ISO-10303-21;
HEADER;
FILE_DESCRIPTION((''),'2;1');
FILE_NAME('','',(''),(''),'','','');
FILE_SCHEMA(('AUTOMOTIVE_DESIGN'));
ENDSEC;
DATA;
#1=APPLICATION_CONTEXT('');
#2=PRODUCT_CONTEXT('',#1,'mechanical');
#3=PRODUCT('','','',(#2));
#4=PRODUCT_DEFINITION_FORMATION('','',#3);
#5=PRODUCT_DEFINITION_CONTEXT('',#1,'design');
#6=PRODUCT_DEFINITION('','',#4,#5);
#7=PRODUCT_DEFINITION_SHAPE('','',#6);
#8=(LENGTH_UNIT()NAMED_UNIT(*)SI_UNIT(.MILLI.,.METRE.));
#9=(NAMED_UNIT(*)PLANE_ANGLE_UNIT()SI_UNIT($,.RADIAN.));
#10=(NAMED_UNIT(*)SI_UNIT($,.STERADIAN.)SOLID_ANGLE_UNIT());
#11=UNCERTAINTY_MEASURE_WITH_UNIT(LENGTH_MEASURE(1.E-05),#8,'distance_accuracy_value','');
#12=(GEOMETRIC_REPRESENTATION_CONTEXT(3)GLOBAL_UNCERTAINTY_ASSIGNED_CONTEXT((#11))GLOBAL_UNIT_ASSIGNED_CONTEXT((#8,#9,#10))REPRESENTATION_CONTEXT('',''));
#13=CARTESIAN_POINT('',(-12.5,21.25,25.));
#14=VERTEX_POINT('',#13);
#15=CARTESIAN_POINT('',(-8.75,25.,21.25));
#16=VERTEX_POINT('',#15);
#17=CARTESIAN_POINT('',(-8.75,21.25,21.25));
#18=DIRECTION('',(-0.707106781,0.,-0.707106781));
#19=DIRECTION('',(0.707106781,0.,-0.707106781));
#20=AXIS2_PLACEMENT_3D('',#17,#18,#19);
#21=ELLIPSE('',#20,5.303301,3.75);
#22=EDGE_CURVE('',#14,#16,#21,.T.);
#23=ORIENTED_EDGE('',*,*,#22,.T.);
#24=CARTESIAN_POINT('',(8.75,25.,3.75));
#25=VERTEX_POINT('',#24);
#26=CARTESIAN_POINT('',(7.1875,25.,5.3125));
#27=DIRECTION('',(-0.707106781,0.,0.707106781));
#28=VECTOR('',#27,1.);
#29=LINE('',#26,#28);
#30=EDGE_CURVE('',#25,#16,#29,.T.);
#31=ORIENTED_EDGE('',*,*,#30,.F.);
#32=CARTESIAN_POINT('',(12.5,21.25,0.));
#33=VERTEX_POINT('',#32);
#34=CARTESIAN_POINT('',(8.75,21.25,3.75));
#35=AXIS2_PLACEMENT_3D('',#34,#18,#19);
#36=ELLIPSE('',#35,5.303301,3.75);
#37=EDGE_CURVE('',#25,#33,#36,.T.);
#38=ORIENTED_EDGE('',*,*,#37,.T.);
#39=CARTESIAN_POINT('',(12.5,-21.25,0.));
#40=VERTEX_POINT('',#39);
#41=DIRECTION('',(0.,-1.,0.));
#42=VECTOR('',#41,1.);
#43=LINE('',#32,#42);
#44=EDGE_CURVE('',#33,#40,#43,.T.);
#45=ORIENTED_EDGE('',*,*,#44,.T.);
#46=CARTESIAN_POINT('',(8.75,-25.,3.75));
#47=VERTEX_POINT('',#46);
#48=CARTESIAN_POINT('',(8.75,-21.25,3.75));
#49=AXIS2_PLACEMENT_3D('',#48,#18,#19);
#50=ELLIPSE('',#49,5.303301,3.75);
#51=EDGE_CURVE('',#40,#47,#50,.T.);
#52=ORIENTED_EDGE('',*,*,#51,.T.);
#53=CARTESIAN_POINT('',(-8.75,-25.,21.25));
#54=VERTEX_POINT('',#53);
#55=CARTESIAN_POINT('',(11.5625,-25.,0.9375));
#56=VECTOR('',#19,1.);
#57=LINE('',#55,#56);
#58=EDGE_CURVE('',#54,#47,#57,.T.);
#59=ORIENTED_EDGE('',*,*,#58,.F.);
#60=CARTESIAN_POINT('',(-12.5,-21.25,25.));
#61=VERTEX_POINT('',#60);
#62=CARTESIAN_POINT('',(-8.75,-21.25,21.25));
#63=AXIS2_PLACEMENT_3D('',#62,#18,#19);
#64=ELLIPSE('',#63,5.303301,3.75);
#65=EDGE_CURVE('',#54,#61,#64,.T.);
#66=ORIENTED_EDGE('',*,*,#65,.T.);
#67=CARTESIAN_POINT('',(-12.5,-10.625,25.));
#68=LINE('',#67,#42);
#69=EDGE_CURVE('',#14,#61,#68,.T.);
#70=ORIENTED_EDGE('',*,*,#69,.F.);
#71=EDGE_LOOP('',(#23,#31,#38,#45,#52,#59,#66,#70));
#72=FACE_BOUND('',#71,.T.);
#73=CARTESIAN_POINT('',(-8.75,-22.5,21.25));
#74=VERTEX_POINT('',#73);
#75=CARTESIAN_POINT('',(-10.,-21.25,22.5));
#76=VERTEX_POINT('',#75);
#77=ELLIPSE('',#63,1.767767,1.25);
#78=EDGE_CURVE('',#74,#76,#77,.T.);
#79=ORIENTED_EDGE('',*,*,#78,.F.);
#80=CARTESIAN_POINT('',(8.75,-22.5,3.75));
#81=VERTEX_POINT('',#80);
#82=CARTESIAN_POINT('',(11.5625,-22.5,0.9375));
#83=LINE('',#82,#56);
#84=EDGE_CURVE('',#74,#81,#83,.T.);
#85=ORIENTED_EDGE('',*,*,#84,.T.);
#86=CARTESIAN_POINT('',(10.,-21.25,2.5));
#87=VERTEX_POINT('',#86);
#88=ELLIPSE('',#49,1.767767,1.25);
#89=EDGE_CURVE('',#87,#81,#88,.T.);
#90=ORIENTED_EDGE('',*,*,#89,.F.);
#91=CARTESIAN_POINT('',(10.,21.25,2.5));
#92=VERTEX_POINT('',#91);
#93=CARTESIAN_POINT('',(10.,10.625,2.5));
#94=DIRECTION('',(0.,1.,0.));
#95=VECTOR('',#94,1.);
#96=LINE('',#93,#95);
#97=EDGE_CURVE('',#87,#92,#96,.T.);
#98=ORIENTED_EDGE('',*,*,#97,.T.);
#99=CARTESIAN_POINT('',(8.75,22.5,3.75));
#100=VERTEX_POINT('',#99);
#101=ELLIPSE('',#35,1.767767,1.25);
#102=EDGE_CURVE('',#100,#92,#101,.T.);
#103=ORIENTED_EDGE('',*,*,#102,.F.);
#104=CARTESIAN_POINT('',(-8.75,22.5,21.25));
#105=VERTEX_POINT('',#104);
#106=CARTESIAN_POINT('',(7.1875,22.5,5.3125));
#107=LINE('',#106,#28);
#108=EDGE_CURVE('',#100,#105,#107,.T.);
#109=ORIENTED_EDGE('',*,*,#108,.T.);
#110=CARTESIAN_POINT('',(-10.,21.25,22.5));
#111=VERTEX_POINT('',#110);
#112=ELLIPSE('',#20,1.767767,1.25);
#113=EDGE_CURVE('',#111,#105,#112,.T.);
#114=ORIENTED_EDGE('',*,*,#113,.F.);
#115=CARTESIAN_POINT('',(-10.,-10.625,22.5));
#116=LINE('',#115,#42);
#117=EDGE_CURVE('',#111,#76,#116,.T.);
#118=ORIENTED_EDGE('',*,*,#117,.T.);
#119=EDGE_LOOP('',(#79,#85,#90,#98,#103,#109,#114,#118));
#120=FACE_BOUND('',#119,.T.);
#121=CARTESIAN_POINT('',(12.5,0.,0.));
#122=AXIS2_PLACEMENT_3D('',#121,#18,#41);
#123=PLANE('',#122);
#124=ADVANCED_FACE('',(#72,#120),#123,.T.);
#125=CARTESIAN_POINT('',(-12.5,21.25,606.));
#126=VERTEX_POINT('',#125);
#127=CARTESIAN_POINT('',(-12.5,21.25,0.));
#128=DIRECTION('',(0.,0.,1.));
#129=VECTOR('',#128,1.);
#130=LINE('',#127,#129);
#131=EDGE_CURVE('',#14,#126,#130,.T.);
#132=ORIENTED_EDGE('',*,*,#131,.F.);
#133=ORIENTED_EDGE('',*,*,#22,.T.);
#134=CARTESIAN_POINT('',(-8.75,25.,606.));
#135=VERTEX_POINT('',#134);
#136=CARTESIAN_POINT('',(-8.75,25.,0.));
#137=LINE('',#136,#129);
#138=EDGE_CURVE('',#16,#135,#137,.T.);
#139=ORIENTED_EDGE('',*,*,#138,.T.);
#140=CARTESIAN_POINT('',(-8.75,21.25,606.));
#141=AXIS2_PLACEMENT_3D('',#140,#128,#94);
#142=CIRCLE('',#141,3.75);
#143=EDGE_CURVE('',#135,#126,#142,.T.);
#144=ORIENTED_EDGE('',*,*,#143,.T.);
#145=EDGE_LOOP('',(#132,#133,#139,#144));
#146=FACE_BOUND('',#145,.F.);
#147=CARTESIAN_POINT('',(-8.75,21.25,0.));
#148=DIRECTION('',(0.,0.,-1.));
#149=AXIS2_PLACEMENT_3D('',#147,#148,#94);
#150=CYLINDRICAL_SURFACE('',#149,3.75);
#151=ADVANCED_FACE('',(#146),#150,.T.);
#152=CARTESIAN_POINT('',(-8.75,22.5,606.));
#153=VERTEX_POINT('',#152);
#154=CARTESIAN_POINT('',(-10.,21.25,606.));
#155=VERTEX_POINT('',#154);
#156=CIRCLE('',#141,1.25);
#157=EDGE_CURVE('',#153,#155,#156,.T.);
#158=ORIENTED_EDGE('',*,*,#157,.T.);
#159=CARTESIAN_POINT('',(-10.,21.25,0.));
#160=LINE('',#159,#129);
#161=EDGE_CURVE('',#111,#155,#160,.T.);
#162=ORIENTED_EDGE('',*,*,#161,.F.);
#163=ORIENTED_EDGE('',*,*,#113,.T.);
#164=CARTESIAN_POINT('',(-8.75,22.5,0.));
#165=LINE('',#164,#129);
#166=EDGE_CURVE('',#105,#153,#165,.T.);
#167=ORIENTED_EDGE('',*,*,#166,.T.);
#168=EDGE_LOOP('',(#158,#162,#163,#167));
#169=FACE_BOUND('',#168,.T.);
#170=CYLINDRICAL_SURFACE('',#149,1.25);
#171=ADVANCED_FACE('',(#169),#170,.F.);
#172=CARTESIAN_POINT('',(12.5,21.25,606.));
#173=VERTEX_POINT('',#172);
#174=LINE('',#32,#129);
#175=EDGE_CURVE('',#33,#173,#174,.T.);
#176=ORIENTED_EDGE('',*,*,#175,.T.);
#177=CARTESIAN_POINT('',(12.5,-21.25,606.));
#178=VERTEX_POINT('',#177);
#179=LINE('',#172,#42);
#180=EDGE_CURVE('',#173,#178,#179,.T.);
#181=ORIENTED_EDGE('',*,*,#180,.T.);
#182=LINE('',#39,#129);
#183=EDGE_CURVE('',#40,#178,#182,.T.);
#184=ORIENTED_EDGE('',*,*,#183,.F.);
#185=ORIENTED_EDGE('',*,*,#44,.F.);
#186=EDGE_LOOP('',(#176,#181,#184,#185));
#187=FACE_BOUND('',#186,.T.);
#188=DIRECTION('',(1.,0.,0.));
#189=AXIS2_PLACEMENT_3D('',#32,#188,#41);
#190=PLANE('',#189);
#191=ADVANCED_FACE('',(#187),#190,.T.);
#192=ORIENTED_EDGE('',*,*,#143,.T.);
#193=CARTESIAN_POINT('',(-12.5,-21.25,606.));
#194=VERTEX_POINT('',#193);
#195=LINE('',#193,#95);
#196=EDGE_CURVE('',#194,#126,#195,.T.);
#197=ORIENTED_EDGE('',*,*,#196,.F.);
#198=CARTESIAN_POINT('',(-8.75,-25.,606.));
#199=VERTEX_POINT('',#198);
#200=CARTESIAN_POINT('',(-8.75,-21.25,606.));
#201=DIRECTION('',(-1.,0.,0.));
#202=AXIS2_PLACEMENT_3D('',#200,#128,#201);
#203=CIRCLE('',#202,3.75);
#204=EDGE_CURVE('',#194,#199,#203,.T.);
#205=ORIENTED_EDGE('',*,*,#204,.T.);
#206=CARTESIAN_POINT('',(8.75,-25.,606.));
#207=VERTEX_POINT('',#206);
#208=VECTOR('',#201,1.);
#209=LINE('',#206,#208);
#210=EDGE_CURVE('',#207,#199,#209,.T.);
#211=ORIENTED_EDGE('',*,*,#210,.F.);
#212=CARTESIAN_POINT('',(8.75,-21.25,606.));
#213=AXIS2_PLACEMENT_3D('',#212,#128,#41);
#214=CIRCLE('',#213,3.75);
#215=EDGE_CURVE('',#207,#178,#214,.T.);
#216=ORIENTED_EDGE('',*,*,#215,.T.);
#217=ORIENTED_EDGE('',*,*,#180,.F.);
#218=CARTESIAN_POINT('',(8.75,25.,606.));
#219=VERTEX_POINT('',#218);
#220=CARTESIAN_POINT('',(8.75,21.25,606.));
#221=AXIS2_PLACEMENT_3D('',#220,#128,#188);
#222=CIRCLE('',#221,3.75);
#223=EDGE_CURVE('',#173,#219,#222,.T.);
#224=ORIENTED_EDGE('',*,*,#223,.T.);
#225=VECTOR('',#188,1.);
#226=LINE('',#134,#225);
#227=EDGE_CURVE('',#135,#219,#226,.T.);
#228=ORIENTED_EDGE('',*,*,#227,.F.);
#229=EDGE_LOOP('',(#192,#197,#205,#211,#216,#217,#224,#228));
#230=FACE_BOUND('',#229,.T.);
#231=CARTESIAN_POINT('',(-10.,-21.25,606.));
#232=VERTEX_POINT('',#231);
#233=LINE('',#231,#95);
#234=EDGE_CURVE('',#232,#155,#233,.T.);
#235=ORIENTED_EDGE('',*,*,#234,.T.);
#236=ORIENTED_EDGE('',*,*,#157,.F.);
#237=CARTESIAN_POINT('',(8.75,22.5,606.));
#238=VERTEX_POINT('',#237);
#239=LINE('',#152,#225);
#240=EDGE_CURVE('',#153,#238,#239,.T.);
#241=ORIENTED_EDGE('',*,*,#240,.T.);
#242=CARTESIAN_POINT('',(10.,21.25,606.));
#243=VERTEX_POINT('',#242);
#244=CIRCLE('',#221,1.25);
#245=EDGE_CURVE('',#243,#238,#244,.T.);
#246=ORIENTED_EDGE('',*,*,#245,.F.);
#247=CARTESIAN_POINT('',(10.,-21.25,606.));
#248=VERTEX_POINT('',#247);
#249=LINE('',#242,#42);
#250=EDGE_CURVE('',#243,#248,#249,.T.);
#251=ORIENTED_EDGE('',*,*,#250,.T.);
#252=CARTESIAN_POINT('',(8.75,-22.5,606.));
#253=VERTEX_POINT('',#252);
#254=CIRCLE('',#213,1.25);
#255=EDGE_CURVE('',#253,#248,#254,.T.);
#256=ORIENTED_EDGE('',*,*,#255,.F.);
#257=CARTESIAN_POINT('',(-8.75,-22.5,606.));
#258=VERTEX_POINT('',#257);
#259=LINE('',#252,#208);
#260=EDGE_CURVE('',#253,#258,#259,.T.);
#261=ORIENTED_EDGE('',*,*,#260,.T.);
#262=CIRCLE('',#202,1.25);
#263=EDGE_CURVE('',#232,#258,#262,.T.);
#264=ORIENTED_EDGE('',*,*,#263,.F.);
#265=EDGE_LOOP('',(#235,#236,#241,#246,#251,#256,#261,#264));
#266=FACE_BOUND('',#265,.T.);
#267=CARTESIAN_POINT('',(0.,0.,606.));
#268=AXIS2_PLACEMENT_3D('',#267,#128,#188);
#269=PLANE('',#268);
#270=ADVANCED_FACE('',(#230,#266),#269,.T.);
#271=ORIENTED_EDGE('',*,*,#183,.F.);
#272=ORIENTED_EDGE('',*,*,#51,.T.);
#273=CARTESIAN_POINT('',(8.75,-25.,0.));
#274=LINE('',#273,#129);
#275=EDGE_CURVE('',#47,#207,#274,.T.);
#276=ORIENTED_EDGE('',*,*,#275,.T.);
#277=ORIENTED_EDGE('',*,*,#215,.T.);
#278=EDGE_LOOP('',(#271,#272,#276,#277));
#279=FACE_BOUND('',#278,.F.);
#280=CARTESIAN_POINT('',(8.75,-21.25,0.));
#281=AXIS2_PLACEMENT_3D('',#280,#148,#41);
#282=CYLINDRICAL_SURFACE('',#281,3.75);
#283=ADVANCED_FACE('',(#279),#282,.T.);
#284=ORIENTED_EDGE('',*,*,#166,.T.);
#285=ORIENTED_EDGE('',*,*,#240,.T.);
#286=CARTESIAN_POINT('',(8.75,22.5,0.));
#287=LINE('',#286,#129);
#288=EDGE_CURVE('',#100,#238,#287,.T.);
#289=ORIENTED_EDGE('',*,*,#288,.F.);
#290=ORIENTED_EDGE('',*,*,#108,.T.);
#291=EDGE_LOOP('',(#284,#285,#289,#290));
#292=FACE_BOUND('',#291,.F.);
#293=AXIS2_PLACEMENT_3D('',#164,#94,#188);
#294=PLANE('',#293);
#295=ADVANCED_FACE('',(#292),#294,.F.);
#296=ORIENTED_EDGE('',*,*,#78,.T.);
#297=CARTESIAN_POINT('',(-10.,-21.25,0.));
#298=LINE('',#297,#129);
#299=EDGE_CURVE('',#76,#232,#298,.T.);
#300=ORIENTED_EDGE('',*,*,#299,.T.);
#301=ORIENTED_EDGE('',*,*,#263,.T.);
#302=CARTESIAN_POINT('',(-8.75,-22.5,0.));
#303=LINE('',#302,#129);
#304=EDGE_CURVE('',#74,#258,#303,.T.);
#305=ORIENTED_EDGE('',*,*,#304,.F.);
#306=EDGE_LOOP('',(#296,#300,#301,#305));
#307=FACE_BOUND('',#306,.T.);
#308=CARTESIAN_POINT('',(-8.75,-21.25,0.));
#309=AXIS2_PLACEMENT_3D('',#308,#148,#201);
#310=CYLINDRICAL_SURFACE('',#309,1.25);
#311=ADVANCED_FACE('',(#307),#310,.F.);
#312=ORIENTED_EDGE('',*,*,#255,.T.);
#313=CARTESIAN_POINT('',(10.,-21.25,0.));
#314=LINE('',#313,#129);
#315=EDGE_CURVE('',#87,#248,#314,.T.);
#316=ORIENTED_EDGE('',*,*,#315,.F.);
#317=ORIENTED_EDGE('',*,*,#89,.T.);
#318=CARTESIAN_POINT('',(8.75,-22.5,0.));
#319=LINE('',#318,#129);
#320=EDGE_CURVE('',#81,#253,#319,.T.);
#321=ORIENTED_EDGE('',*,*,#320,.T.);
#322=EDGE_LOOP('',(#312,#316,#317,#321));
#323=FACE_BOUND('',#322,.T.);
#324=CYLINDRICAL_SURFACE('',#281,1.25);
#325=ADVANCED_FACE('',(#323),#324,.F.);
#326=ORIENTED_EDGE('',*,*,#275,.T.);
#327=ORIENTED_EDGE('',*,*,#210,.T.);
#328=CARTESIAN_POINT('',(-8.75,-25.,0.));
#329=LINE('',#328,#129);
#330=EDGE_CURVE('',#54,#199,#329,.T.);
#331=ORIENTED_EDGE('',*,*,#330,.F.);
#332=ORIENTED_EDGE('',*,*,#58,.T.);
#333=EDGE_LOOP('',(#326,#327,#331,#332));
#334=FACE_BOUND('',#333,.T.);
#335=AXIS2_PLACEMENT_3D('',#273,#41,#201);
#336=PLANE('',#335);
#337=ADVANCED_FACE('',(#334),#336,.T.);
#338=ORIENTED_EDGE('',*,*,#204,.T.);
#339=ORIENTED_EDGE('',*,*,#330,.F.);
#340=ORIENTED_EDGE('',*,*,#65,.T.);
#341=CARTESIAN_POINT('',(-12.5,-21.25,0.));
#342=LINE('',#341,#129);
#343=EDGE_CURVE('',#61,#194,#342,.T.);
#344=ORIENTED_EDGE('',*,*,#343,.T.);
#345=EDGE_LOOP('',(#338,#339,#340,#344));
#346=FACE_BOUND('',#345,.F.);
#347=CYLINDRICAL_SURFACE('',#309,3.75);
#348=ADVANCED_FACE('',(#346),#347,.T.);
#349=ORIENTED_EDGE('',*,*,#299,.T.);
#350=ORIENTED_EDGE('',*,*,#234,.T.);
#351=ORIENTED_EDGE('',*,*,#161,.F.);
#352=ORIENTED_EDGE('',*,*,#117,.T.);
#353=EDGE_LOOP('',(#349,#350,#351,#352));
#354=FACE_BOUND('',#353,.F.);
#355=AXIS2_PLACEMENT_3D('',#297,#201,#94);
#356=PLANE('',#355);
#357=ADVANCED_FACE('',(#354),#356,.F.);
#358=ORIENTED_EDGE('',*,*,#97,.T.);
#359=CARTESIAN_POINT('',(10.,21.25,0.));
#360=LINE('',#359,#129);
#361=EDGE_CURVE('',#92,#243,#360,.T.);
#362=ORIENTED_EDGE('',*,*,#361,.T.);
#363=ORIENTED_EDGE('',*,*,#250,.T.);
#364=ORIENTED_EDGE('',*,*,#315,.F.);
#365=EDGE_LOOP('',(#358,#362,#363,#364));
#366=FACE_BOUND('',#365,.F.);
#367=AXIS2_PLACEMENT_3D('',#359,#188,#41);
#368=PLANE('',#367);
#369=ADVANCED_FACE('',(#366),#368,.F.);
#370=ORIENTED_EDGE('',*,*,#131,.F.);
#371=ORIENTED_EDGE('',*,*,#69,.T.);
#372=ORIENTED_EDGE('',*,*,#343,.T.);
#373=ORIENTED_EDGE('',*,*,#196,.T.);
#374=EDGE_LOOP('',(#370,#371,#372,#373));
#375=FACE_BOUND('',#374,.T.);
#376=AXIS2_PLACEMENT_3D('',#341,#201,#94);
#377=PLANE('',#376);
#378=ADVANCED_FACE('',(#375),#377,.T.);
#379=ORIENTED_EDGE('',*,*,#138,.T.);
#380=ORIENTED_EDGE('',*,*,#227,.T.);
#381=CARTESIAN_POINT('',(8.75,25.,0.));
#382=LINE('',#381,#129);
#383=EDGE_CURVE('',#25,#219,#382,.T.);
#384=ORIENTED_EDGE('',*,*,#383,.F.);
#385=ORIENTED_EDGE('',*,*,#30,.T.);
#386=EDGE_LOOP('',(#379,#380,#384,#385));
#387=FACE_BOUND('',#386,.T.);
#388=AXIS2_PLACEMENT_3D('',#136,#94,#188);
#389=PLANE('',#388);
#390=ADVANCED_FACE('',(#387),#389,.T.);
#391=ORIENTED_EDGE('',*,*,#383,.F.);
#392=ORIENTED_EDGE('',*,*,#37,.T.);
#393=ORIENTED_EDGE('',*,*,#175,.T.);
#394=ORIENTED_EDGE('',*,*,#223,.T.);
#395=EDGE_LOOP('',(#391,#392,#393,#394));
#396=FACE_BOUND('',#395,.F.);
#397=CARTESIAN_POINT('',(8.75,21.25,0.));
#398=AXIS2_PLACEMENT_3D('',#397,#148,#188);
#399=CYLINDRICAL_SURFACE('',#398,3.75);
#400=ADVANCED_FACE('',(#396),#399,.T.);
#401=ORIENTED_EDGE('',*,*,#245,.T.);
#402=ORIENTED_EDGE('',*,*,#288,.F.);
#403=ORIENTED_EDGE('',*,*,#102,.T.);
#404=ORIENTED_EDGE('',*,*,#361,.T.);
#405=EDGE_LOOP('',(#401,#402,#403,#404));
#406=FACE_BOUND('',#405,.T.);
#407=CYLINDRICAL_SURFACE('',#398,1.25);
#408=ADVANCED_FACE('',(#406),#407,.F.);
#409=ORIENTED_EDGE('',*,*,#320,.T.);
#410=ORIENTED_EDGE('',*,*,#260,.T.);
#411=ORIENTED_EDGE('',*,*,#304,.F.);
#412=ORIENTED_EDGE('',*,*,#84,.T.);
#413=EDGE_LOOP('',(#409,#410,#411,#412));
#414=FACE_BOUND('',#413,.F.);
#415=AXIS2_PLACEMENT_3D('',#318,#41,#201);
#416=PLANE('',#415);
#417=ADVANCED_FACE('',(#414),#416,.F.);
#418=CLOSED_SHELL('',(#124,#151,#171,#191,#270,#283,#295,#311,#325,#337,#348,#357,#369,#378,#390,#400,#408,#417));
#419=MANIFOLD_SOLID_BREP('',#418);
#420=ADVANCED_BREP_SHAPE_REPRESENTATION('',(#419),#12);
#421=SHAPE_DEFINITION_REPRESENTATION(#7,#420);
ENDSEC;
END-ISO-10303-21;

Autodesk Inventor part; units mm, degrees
ref_plane "Plano inicial" through (0, 0, 0) normal (0, 0, 1) x (1, 0, 0)
ref_plane "Plano final" through (0, 0, 606) normal (0, 0, 1) x (1, 0, 0)
sketch "Boceto" plane through (0, 0, 0) normal (0, 0, 1) x (1, 0, 0)
  line L0 (-12.5, -21.25) -> (-12.5, 21.25)
  line L1 (-8.75, 25) -> (8.75, 25)
  line L2 (12.5, 21.25) -> (12.5, -21.25)
  line L3 (8.75, -25) -> (-8.75, -25)
  arc A0 (-12.5, -21.25) -> (-8.75, -25) centre (-8.75, -21.25) ccw
  arc A1 (-8.75, 25) -> (-12.5, 21.25) centre (-8.75, 21.25) ccw
  arc A2 (12.5, 21.25) -> (8.75, 25) centre (8.75, 21.25) ccw
  arc A3 (8.75, -25) -> (12.5, -21.25) centre (8.75, -21.25) ccw
  arc A4 (-8.75, 22.5) -> (-10, 21.25) centre (-8.75, 21.25) ccw
  line L4 (-8.75, 22.5) -> (8.75, 22.5)
  arc A5 (10, 21.25) -> (8.75, 22.5) centre (8.75, 21.25) ccw
  line L5 (10, 21.25) -> (10, -21.25)
  arc A6 (8.75, -22.5) -> (10, -21.25) centre (8.75, -21.25) ccw
  line L6 (8.75, -22.5) -> (-8.75, -22.5)
  arc A7 (-10, -21.25) -> (-8.75, -22.5) centre (-8.75, -21.25) ccw
  line L7 (-10, -21.25) -> (-10, 21.25)
  line L8 (0, 36.0873) -> (0, -36.0873) construction
  line L9 (-18.5873, 0) -> (18.5873, 0) construction
  dimension "d7" = 3.75
  dimension "d10" = 50
  dimension "d11" = 25
  dimension "d12" = 2.5
  dimension "d15" = 25
  dimension "d16" = 12.5
extrude "Cuerpo" add sketch "Boceto" along normal up to surface (606 mm away) from surface at 0
sketch "Sketch3" plane through (0, 0, 0) normal (0, 0, 1) x (1, 0, 0)
  line L0 (0, 0) -> (10, 0)
ref_plane "Work Plane3" through (0, 0, 0) normal (0, -1, 0) x (1, 0, 0)
sketch "Sketch4" plane through (0, 0, 0) normal (0, -1, 0) x (1, 0, 0)
  line L0 (-2, 0) -> (12, 0)
  line L1 (-2, 606) -> (12, 606)
  dimension "d18" = 606
ref_plane "Plano de trabajo4" through (12.5, 0, 0) normal (-0.7071, 0, -0.7071) x (-0.7071, 0, 0.7071)
split "Dividir1" plane through (12.5, 0, 0) removes the side toward (-0.7071, 0, -0.7071)
equation "\"d7\" = G_IR"
equation "\"d10\" = G_H"
equation "\"d11\" = G_W"
equation "\"d12\" = G_T"
equation "\"d15\" = 0.5 * d10"
equation "\"d16\" = 0.5 * d11"
equation "\"d3\" = G_L"
equation "\"G_W\" = 25"
equation "\"G_H\" = 50"
equation "\"G_T\" = 2.5"
equation "\"G_IR\" = 3.75"
equation "\"G_L\" = d18"
equation "\"G_OFFSET_START\" = 0"
equation "\"G_OFFSET_END\" = 0"
equation "\"d14\" = G_OFFSET_END + B_L"
equation "\"B_L\" = 606"
properties part number "ISO 12633-2 - 50x25x2.5 - 606" material "Acero, suave"
